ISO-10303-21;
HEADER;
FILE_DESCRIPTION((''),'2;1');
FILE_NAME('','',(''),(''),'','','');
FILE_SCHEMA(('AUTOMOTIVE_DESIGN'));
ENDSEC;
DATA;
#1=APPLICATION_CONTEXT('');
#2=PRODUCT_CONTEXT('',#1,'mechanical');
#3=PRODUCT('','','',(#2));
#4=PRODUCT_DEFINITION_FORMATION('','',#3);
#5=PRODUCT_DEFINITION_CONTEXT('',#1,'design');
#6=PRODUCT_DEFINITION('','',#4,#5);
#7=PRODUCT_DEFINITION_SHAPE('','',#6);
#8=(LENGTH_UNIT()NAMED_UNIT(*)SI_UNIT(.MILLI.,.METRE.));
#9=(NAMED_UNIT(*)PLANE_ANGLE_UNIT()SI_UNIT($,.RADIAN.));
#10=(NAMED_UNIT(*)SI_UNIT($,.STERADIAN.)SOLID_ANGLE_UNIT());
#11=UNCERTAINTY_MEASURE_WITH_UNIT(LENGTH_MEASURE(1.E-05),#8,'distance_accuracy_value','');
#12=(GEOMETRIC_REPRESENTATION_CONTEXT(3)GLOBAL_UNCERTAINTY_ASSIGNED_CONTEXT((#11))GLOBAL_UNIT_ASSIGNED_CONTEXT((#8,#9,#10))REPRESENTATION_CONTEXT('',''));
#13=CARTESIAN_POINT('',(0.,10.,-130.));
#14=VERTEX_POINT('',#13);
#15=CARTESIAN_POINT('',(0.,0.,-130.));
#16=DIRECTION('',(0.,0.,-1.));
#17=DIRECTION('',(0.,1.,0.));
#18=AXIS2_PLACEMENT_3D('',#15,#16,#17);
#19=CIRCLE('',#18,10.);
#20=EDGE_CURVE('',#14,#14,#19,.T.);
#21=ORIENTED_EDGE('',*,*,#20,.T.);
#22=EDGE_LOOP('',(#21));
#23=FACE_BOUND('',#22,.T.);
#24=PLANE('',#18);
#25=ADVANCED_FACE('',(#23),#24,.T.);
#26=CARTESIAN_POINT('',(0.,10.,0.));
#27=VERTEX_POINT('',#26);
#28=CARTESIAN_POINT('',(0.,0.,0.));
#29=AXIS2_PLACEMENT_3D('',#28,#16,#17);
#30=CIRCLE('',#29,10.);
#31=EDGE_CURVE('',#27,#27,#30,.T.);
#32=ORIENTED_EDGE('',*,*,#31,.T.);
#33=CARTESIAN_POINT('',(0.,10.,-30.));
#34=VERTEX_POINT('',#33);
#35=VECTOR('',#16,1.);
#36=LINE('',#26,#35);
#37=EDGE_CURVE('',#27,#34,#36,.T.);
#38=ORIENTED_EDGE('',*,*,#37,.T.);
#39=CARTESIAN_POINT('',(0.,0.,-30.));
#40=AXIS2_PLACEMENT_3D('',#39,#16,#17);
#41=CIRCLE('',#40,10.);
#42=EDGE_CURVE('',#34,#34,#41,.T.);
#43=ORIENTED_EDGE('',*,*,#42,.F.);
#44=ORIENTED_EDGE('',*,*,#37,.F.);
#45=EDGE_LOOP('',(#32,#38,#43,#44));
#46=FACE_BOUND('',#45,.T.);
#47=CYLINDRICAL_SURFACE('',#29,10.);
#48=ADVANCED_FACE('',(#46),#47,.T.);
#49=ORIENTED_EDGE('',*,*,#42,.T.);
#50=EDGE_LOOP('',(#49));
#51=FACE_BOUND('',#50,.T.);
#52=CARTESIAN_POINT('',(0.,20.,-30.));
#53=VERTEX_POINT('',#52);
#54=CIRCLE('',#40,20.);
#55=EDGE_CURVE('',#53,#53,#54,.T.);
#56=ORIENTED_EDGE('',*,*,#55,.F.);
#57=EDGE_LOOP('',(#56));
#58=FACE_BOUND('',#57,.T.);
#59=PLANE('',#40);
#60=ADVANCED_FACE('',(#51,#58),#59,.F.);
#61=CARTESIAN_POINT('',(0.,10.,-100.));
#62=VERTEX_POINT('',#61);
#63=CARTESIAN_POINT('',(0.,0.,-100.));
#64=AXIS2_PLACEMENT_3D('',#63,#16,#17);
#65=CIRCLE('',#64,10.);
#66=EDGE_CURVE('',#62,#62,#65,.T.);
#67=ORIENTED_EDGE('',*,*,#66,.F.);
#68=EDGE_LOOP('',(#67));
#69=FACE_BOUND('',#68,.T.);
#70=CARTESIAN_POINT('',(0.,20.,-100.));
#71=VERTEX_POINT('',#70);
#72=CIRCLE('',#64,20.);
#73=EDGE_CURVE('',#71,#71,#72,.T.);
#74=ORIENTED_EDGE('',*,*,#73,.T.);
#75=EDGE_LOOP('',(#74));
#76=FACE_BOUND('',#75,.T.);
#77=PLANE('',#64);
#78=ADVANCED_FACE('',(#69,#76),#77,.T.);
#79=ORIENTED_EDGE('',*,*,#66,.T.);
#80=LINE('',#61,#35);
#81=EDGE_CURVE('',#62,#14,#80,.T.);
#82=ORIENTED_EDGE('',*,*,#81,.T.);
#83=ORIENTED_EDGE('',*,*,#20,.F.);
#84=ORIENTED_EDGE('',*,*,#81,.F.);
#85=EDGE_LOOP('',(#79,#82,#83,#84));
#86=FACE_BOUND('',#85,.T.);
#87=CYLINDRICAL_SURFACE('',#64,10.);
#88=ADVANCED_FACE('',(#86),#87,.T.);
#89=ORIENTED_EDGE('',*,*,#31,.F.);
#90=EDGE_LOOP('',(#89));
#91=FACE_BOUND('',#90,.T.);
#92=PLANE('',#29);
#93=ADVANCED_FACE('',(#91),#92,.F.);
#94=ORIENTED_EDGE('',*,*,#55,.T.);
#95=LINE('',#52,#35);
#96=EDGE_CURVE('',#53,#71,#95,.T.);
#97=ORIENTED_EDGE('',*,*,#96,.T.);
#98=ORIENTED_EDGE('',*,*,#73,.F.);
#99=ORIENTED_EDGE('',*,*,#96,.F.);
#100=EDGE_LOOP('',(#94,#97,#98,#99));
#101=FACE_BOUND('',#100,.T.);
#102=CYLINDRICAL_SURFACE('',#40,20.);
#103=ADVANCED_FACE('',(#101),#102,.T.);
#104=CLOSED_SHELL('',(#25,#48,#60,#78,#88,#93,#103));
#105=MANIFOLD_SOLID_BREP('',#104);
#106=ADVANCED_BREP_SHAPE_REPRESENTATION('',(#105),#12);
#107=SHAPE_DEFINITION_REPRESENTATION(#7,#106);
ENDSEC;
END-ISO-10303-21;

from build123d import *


with BuildPart() as part:
    # Sketch1 → Revolve1 (revolve)
    with BuildSketch(Plane(origin=(0, 0, 0), x_dir=(0, 0, -1), z_dir=(1, 0, 0))):
        Polygon((0, 0), (0, 10), (30, 10), (30, 20), (100, 20), (100, 10), (130, 10), (130, 0), align=None)
    revolve(axis=Axis((0, 0, 43.242398844), (0, 0, -1)))


solid = part.part
